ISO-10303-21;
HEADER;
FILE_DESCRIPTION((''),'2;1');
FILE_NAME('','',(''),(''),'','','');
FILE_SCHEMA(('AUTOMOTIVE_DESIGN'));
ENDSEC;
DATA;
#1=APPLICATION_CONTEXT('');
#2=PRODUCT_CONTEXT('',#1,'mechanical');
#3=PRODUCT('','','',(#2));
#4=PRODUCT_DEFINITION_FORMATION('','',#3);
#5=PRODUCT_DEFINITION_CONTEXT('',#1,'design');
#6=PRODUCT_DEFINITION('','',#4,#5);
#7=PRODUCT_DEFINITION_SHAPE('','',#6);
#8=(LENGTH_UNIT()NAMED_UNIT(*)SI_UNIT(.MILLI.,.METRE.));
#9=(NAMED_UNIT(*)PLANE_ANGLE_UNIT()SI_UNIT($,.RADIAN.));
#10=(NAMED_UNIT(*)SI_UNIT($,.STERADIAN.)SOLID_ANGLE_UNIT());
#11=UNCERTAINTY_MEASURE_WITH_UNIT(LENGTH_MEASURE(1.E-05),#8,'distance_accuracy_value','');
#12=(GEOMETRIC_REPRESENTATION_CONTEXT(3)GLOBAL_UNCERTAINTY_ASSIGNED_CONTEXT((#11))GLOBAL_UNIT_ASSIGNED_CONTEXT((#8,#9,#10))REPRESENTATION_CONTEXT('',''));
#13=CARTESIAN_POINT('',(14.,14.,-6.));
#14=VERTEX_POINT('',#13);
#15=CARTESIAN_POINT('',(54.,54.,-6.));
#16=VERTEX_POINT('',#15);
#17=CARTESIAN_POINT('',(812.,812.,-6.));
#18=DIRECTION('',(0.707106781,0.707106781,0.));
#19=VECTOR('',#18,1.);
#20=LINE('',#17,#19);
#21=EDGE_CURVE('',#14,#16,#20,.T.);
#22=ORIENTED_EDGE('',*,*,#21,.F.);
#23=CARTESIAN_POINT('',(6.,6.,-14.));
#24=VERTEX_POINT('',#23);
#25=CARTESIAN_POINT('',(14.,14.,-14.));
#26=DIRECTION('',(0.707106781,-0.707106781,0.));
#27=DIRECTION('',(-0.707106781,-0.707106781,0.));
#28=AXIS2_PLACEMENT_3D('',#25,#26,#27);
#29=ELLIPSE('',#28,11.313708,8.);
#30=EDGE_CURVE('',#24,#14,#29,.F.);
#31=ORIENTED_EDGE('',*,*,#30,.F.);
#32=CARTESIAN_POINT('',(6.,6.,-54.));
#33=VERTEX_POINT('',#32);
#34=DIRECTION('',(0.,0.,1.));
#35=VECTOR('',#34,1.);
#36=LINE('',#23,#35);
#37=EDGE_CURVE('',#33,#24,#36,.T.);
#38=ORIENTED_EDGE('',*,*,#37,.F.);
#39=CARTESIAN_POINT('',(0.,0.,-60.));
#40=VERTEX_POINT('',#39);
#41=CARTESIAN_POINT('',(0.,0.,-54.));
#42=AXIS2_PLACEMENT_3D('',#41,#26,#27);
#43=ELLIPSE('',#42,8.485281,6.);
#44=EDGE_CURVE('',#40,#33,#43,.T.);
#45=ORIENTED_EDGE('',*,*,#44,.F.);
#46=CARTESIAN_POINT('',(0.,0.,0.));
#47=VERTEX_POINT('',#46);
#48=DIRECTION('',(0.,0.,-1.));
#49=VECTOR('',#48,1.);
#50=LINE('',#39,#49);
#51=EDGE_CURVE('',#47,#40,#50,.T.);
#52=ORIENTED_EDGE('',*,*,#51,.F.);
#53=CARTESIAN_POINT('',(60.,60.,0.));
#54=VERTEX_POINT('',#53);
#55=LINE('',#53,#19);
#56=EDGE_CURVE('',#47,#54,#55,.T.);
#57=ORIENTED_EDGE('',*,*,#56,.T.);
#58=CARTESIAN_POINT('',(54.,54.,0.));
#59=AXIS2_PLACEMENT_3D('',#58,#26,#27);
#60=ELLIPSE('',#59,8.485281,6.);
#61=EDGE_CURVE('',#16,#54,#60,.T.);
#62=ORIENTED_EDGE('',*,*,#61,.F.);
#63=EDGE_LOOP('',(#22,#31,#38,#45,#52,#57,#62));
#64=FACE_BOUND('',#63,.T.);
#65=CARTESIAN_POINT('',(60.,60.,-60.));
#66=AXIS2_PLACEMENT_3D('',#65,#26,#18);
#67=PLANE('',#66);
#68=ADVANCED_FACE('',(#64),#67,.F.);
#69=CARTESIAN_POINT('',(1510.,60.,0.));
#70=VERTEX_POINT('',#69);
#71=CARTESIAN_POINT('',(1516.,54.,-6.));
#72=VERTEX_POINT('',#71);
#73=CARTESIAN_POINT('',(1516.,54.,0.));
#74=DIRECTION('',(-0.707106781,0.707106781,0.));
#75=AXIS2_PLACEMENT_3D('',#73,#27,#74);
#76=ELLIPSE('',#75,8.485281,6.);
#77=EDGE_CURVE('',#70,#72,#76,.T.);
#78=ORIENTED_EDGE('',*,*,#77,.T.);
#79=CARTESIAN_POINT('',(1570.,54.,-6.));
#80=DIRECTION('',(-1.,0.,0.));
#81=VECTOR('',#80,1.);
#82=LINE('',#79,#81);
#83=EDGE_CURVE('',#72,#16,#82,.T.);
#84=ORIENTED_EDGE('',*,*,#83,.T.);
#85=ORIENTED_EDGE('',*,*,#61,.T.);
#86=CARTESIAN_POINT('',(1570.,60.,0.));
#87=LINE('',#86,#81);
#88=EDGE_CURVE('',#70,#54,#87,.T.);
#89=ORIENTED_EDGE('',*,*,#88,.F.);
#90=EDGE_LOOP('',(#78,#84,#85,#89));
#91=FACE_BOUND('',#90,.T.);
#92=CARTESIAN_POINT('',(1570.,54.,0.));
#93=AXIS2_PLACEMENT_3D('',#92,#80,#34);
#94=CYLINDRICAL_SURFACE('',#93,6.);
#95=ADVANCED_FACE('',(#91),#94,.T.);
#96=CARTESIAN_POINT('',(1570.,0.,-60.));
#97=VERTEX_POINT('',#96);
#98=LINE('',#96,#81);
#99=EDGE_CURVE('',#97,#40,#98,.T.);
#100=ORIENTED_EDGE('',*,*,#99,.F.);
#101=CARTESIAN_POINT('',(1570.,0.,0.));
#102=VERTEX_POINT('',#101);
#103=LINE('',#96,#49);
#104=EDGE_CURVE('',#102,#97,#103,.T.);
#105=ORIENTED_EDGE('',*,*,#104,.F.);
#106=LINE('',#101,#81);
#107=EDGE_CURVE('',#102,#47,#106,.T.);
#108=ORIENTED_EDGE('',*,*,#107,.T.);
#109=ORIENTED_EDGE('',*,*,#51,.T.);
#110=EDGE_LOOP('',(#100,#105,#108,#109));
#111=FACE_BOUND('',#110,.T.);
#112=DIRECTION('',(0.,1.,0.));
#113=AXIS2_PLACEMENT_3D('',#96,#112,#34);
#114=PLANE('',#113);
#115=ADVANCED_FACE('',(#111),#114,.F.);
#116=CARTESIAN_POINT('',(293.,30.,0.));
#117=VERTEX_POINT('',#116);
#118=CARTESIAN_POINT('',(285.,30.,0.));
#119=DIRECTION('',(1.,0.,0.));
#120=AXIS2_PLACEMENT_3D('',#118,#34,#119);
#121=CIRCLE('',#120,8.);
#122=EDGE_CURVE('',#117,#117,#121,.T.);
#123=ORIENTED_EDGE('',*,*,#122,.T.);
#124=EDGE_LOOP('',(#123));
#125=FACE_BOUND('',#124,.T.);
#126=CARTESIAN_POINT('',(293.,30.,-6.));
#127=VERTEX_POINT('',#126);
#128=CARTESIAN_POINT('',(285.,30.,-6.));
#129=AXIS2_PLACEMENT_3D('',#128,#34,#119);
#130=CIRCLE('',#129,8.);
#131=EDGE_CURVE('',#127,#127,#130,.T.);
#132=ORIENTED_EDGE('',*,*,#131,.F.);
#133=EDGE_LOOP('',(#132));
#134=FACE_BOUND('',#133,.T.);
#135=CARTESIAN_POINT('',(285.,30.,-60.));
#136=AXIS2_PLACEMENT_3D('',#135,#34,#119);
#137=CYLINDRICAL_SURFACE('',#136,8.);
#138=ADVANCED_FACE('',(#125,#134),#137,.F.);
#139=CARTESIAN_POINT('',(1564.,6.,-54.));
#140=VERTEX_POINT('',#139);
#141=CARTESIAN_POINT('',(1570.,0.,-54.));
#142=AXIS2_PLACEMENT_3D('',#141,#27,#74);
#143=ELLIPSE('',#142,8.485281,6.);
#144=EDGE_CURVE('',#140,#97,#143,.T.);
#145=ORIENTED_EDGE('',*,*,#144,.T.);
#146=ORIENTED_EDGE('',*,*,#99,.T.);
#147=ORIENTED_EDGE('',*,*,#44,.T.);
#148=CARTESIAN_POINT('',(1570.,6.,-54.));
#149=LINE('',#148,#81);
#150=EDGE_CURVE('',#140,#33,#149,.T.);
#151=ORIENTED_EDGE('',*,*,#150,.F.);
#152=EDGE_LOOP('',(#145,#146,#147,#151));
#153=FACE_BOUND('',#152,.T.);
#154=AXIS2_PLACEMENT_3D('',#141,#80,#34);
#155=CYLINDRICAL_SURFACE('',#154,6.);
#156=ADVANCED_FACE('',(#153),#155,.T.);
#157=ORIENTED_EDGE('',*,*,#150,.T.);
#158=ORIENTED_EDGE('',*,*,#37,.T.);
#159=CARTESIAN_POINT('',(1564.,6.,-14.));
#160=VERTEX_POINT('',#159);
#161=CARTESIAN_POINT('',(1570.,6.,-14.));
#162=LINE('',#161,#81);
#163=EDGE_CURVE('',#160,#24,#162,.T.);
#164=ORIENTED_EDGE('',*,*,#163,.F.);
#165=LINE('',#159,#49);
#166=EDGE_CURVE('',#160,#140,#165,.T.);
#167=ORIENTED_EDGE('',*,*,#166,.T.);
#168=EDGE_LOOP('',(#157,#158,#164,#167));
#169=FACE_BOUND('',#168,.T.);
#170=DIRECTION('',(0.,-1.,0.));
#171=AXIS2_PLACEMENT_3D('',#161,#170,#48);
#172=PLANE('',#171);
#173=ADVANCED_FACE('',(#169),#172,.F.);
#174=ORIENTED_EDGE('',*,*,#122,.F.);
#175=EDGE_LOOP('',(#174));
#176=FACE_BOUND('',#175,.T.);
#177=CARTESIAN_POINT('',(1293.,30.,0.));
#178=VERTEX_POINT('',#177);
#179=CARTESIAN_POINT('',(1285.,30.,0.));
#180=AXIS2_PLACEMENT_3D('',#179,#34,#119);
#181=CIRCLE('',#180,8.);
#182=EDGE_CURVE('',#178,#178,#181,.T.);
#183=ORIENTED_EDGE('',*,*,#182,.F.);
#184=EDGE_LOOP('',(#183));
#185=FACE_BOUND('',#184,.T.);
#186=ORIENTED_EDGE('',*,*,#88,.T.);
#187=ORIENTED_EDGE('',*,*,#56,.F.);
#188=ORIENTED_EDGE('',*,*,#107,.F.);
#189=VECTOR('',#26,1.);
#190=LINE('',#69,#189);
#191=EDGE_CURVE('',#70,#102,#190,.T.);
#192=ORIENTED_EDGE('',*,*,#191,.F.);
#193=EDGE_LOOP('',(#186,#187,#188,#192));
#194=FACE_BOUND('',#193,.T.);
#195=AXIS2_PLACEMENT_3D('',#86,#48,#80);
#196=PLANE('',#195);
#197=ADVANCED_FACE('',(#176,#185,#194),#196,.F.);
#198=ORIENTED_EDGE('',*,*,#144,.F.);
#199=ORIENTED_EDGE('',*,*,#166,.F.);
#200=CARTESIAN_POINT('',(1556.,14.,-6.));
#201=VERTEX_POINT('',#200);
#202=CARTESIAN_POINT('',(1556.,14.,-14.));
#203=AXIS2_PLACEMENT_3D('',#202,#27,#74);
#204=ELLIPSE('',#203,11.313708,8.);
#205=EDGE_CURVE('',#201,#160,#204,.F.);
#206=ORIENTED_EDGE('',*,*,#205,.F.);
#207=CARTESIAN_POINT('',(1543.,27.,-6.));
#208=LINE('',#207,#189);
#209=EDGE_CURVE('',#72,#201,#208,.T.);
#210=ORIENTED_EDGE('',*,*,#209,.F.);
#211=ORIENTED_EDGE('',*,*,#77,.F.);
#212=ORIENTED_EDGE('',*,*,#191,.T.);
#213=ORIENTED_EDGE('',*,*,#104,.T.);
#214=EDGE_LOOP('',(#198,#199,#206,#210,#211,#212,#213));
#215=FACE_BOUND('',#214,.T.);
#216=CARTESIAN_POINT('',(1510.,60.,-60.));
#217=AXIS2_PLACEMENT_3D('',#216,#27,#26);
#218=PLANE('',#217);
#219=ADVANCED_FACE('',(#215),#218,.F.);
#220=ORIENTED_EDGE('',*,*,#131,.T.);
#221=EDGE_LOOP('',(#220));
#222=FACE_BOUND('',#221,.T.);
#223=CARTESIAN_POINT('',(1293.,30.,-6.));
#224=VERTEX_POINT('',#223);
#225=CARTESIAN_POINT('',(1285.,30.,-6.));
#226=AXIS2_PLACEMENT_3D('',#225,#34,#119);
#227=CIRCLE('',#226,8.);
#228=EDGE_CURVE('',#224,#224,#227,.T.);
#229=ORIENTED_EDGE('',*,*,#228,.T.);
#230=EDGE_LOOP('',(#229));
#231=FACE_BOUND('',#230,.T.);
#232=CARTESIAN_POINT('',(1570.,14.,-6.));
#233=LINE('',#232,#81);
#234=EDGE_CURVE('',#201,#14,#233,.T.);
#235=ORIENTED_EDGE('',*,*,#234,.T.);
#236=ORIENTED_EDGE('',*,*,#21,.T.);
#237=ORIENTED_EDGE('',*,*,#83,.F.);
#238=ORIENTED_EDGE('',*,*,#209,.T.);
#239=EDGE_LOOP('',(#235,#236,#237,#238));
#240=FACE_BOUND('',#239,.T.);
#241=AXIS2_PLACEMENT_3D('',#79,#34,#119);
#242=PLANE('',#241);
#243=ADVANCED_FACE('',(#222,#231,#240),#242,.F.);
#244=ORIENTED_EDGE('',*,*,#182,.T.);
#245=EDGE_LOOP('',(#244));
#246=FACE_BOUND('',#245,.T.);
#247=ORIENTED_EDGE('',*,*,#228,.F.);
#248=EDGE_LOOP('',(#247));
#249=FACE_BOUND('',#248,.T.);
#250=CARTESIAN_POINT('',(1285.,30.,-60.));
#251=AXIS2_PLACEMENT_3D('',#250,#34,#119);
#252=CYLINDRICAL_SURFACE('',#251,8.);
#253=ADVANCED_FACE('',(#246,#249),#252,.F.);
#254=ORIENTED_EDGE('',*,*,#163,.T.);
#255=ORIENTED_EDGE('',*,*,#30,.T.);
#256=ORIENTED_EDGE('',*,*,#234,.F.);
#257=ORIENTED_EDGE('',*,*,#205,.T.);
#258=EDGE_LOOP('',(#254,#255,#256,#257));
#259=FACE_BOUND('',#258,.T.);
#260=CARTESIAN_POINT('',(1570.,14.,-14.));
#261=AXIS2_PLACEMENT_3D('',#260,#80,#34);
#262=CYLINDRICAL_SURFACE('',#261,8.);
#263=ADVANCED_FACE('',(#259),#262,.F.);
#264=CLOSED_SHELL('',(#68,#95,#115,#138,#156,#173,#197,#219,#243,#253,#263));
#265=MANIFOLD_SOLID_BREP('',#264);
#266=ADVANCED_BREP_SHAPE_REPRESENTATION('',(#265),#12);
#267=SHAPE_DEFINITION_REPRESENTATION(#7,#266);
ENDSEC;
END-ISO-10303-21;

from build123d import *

# Parameters (mm, degrees)
L_ANGLE_EQUAL_60X60X6_3_DEPTH = 1570
SKETCH14_R                    = 8
CUT_EXTRUDE1_DEPTH            = 1573.291321607


with BuildPart() as part:
    # Sketch17 → L angle (equal) 60X60X6(3) (new body)
    with BuildSketch(Plane(origin=(0, 0, 0), x_dir=(0, 0, -1), z_dir=(1, 0, 0))):
        with BuildLine():
            Line((0, 60), (0, 0))
            Line((0, 0), (60, 0))
            ThreePointArc((60, 0), (58.242640687, 4.242640687), (54, 6))
            Line((54, 6), (14, 6))
            ThreePointArc((14, 6), (8.343145751, 8.343145751), (6, 14))
            Line((6, 14), (6, 54))
            ThreePointArc((6, 54), (4.242640687, 58.242640687), (0, 60))
        make_face()
    extrude(amount=L_ANGLE_EQUAL_60X60X6_3_DEPTH)

    # Sketch14 → Cut-Extrude1 (cut, through all)
    with BuildSketch(Plane.XY):
        with Locations((285, 30)):
            Circle(SKETCH14_R)
        with Locations((1285, 30)):
            Circle(SKETCH14_R)
        Polygon((1570, 0), (1570, 60), (1510, 60), align=None)
        Polygon((0, 60), (0, 0), (60, 60), align=None)
    extrude(amount=-CUT_EXTRUDE1_DEPTH, mode=Mode.SUBTRACT)


solid = part.part
